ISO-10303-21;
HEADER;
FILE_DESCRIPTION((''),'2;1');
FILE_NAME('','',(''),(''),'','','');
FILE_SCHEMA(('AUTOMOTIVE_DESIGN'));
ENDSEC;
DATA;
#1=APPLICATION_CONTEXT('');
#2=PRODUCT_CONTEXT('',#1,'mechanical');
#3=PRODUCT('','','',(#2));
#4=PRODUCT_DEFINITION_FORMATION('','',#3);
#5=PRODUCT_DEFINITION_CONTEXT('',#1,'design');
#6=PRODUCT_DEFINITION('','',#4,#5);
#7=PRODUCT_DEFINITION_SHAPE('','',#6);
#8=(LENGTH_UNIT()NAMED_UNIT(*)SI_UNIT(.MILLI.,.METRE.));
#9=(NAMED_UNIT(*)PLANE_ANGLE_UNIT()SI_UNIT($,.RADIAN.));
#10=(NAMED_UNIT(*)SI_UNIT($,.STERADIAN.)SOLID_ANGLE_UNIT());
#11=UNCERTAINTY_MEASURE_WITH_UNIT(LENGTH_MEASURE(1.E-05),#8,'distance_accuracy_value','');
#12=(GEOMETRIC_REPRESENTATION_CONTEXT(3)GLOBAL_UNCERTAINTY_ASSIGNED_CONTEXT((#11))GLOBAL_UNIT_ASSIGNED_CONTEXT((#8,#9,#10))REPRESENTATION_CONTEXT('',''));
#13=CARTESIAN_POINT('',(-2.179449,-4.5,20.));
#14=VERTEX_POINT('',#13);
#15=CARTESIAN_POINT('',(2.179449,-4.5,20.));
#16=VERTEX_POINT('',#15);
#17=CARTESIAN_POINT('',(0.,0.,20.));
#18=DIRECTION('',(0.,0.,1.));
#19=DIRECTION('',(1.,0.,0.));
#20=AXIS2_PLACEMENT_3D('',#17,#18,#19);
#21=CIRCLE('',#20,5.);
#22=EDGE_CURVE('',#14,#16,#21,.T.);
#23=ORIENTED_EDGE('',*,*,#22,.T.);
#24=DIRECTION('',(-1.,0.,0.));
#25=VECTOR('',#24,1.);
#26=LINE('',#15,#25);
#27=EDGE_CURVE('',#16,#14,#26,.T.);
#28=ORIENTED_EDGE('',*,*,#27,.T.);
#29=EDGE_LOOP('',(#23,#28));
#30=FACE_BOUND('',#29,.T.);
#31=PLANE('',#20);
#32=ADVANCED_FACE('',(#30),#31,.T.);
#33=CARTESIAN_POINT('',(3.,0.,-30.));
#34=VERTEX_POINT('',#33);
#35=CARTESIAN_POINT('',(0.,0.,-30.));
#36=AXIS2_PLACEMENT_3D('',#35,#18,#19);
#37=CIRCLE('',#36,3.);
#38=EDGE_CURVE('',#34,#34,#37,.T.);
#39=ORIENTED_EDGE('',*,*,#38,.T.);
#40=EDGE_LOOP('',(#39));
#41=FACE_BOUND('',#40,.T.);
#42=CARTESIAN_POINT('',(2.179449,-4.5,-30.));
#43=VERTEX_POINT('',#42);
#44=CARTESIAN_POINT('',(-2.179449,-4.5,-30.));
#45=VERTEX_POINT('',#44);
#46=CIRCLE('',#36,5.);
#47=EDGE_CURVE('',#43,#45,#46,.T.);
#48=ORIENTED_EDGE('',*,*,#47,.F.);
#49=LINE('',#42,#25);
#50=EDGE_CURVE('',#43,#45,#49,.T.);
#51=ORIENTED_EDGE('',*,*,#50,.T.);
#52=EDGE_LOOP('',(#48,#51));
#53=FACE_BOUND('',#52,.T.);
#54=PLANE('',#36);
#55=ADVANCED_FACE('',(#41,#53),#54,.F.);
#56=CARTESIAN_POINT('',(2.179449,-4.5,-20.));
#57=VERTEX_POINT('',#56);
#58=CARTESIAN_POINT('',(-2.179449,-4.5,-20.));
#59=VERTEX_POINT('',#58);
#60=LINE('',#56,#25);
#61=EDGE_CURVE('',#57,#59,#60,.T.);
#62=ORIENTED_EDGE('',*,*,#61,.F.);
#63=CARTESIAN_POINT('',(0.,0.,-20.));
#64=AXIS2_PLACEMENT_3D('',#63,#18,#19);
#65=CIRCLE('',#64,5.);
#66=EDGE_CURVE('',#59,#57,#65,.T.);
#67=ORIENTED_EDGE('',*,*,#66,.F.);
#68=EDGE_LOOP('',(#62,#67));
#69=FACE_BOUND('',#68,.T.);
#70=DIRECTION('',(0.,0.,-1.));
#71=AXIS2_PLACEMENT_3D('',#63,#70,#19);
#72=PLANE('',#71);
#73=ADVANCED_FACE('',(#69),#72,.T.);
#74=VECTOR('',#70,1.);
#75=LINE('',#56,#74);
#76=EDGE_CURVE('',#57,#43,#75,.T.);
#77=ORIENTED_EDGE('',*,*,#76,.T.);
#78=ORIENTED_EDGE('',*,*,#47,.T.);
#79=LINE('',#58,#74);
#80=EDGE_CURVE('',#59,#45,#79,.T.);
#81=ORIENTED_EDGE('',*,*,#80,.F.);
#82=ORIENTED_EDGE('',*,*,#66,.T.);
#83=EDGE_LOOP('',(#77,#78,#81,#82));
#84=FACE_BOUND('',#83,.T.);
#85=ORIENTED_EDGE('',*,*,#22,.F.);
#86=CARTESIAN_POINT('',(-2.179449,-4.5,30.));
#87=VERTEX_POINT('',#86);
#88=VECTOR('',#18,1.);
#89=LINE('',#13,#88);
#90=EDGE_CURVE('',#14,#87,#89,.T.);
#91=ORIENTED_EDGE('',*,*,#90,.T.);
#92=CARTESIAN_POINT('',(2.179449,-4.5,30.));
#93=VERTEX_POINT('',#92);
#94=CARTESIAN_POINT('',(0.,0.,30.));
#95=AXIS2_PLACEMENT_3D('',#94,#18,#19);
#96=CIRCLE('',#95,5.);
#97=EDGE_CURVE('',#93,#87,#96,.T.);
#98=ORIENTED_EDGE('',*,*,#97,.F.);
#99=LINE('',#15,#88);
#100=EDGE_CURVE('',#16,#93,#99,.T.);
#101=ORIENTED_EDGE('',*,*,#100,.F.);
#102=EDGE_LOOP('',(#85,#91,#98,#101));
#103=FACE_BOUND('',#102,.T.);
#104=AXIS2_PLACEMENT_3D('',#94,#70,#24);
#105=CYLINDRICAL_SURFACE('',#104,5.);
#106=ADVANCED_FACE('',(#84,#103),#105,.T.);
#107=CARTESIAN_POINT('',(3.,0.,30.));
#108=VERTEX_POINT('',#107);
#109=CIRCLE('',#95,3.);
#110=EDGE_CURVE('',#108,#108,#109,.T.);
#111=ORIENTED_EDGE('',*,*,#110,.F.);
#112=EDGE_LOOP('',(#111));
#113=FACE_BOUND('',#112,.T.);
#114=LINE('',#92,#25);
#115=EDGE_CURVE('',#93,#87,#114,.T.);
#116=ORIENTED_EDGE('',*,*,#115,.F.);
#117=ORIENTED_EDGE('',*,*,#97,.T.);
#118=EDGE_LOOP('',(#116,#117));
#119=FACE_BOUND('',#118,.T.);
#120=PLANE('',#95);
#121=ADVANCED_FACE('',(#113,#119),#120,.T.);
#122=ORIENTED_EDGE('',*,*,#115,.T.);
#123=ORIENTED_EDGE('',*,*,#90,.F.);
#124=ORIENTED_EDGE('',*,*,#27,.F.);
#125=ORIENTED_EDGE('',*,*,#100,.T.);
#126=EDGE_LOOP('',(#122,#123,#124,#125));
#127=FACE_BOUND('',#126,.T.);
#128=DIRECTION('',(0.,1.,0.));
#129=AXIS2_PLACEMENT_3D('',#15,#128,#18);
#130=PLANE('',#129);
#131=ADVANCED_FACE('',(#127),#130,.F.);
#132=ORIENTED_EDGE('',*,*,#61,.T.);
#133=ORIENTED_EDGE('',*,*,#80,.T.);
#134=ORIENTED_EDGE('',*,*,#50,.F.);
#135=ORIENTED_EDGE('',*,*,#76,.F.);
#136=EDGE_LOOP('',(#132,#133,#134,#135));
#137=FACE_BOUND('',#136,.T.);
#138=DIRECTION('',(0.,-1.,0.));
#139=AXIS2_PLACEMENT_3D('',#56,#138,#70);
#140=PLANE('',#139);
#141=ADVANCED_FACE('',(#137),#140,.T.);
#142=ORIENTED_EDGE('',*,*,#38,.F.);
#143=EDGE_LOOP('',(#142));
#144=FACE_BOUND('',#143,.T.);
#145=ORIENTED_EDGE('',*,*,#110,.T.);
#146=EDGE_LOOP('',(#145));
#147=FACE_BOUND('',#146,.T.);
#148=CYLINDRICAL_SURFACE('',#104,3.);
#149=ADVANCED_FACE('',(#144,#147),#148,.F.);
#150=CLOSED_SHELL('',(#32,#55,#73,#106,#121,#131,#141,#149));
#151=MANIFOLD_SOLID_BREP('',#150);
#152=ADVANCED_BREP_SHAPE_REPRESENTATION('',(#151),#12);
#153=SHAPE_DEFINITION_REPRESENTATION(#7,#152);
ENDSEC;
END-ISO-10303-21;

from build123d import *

# Parameters (mm, degrees)
SKETCH1_R           = 5
SKETCH1_R_2         = 3
BOSS_EXTRUDE1_DEPTH = 30
CUT_EXTRUDE2_DEPTH  = 10


with BuildPart() as part:
    # Sketch1 → Boss-Extrude1 (new body, symmetric)
    with BuildSketch(Plane.XY):
        Circle(SKETCH1_R)
        Circle(SKETCH1_R_2, mode=Mode.SUBTRACT)
    extrude(amount=BOSS_EXTRUDE1_DEPTH, both=True)

    # Sketch4 → Cut-Extrude2 (cut)
    with BuildSketch(Plane.XY.offset(30)):
        with BuildLine():
            Line((2.179449472, -4.5), (-2.179449472, -4.5))
            ThreePointArc((-2.179449472, -4.5), (0, -5), (2.179449472, -4.5))
        make_face()
    cut_extrude2 = extrude(amount=-CUT_EXTRUDE2_DEPTH, mode=Mode.SUBTRACT)

    # Mirror3: Cut-Extrude2 across plane
    add(cut_extrude2.mirror(Plane.XY), mode=Mode.SUBTRACT)


solid = part.part
